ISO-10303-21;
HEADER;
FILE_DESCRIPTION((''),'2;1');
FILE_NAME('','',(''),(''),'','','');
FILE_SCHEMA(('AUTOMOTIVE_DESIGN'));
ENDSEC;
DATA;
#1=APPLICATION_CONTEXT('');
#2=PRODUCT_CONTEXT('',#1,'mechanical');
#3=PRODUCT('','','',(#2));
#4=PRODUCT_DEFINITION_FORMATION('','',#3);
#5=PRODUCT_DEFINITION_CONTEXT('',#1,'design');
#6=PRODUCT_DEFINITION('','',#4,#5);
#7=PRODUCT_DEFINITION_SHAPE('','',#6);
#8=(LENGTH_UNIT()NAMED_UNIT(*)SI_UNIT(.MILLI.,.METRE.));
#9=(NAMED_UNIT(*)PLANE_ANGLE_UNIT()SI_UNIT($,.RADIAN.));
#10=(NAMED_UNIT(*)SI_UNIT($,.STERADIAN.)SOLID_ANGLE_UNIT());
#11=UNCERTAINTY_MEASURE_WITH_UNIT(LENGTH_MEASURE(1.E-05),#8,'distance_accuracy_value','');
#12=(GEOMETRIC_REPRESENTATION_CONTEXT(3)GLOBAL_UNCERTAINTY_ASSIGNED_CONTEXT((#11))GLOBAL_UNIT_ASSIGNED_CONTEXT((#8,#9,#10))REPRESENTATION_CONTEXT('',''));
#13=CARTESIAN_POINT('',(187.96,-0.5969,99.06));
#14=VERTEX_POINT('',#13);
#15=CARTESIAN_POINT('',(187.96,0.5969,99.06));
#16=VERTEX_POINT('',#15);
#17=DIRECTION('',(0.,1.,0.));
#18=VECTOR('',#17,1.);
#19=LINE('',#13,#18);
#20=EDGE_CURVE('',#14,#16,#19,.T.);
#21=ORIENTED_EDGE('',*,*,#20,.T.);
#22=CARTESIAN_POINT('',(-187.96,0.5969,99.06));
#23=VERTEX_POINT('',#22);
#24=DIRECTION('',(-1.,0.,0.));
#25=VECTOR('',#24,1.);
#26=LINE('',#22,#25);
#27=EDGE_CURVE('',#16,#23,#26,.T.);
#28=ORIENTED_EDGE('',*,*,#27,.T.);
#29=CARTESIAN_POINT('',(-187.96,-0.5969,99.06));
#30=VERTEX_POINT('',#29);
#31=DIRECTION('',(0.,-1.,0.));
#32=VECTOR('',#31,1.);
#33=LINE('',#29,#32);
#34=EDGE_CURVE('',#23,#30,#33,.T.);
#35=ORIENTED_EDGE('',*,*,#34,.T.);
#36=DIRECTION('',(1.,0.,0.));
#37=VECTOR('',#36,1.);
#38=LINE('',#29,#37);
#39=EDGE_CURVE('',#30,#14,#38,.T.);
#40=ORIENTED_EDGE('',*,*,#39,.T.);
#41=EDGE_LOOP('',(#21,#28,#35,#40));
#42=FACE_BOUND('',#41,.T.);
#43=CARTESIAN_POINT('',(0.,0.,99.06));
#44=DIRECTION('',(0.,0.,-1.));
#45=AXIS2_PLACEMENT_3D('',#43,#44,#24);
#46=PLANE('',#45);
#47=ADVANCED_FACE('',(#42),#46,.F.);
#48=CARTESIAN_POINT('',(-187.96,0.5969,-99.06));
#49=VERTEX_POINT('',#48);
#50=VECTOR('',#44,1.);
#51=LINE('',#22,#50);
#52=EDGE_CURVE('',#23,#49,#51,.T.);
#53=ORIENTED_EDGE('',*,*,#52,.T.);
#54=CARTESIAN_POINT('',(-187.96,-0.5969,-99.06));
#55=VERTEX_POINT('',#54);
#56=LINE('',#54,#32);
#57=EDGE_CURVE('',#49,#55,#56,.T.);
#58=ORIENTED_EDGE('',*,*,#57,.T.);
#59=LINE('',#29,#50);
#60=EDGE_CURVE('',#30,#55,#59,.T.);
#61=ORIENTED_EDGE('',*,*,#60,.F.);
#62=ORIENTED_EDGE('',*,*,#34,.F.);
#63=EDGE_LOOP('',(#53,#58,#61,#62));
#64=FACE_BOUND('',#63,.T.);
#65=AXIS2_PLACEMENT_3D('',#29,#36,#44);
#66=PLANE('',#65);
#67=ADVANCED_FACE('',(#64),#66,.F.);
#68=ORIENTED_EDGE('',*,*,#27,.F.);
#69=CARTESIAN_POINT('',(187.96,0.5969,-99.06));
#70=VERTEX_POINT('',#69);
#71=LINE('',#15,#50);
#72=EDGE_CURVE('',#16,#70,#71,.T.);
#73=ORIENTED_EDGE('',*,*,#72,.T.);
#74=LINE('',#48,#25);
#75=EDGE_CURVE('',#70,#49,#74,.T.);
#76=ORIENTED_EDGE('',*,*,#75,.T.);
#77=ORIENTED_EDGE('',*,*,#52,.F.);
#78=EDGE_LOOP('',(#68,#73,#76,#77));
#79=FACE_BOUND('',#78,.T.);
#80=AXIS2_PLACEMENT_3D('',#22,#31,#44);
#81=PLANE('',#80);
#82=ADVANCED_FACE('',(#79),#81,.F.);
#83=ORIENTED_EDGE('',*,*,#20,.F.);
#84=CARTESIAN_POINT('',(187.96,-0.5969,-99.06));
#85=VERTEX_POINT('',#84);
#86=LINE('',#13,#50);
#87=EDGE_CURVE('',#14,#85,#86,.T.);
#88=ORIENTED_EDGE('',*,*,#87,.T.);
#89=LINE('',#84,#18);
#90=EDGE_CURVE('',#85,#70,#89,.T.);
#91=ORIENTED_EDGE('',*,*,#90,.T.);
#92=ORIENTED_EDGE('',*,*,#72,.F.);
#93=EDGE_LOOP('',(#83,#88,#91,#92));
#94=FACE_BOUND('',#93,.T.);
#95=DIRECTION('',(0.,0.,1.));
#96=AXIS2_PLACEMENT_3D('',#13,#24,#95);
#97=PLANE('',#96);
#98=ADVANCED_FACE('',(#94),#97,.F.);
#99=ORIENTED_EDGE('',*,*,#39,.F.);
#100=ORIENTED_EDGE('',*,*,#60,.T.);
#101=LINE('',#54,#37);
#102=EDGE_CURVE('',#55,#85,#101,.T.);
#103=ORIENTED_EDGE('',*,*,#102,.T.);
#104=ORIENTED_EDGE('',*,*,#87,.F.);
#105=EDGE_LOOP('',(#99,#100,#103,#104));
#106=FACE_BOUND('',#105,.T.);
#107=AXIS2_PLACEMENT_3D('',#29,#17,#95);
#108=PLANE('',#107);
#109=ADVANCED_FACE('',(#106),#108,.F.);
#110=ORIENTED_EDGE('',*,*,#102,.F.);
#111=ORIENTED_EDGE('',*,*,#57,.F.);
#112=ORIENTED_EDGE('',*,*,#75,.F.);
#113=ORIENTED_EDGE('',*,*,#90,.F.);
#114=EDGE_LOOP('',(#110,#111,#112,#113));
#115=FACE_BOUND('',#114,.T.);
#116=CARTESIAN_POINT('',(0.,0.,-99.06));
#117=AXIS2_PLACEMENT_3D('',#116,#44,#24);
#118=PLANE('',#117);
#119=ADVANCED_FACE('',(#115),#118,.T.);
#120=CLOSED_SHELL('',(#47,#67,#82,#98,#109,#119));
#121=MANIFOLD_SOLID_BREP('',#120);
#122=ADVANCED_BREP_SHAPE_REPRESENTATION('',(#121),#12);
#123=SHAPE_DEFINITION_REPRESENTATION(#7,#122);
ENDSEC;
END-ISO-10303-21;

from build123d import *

# Parameters (mm, degrees)
SKETCH3_W           = 375.92
SKETCH3_H           = 1.1938
BOSS_EXTRUDE1_DEPTH = 99.06


with BuildPart() as part:
    # Sketch3 → Boss-Extrude1 (new, symmetric)
    with BuildSketch(Plane.XY):
        Rectangle(SKETCH3_W, SKETCH3_H)
    extrude(amount=BOSS_EXTRUDE1_DEPTH, both=True)


solid = part.part
